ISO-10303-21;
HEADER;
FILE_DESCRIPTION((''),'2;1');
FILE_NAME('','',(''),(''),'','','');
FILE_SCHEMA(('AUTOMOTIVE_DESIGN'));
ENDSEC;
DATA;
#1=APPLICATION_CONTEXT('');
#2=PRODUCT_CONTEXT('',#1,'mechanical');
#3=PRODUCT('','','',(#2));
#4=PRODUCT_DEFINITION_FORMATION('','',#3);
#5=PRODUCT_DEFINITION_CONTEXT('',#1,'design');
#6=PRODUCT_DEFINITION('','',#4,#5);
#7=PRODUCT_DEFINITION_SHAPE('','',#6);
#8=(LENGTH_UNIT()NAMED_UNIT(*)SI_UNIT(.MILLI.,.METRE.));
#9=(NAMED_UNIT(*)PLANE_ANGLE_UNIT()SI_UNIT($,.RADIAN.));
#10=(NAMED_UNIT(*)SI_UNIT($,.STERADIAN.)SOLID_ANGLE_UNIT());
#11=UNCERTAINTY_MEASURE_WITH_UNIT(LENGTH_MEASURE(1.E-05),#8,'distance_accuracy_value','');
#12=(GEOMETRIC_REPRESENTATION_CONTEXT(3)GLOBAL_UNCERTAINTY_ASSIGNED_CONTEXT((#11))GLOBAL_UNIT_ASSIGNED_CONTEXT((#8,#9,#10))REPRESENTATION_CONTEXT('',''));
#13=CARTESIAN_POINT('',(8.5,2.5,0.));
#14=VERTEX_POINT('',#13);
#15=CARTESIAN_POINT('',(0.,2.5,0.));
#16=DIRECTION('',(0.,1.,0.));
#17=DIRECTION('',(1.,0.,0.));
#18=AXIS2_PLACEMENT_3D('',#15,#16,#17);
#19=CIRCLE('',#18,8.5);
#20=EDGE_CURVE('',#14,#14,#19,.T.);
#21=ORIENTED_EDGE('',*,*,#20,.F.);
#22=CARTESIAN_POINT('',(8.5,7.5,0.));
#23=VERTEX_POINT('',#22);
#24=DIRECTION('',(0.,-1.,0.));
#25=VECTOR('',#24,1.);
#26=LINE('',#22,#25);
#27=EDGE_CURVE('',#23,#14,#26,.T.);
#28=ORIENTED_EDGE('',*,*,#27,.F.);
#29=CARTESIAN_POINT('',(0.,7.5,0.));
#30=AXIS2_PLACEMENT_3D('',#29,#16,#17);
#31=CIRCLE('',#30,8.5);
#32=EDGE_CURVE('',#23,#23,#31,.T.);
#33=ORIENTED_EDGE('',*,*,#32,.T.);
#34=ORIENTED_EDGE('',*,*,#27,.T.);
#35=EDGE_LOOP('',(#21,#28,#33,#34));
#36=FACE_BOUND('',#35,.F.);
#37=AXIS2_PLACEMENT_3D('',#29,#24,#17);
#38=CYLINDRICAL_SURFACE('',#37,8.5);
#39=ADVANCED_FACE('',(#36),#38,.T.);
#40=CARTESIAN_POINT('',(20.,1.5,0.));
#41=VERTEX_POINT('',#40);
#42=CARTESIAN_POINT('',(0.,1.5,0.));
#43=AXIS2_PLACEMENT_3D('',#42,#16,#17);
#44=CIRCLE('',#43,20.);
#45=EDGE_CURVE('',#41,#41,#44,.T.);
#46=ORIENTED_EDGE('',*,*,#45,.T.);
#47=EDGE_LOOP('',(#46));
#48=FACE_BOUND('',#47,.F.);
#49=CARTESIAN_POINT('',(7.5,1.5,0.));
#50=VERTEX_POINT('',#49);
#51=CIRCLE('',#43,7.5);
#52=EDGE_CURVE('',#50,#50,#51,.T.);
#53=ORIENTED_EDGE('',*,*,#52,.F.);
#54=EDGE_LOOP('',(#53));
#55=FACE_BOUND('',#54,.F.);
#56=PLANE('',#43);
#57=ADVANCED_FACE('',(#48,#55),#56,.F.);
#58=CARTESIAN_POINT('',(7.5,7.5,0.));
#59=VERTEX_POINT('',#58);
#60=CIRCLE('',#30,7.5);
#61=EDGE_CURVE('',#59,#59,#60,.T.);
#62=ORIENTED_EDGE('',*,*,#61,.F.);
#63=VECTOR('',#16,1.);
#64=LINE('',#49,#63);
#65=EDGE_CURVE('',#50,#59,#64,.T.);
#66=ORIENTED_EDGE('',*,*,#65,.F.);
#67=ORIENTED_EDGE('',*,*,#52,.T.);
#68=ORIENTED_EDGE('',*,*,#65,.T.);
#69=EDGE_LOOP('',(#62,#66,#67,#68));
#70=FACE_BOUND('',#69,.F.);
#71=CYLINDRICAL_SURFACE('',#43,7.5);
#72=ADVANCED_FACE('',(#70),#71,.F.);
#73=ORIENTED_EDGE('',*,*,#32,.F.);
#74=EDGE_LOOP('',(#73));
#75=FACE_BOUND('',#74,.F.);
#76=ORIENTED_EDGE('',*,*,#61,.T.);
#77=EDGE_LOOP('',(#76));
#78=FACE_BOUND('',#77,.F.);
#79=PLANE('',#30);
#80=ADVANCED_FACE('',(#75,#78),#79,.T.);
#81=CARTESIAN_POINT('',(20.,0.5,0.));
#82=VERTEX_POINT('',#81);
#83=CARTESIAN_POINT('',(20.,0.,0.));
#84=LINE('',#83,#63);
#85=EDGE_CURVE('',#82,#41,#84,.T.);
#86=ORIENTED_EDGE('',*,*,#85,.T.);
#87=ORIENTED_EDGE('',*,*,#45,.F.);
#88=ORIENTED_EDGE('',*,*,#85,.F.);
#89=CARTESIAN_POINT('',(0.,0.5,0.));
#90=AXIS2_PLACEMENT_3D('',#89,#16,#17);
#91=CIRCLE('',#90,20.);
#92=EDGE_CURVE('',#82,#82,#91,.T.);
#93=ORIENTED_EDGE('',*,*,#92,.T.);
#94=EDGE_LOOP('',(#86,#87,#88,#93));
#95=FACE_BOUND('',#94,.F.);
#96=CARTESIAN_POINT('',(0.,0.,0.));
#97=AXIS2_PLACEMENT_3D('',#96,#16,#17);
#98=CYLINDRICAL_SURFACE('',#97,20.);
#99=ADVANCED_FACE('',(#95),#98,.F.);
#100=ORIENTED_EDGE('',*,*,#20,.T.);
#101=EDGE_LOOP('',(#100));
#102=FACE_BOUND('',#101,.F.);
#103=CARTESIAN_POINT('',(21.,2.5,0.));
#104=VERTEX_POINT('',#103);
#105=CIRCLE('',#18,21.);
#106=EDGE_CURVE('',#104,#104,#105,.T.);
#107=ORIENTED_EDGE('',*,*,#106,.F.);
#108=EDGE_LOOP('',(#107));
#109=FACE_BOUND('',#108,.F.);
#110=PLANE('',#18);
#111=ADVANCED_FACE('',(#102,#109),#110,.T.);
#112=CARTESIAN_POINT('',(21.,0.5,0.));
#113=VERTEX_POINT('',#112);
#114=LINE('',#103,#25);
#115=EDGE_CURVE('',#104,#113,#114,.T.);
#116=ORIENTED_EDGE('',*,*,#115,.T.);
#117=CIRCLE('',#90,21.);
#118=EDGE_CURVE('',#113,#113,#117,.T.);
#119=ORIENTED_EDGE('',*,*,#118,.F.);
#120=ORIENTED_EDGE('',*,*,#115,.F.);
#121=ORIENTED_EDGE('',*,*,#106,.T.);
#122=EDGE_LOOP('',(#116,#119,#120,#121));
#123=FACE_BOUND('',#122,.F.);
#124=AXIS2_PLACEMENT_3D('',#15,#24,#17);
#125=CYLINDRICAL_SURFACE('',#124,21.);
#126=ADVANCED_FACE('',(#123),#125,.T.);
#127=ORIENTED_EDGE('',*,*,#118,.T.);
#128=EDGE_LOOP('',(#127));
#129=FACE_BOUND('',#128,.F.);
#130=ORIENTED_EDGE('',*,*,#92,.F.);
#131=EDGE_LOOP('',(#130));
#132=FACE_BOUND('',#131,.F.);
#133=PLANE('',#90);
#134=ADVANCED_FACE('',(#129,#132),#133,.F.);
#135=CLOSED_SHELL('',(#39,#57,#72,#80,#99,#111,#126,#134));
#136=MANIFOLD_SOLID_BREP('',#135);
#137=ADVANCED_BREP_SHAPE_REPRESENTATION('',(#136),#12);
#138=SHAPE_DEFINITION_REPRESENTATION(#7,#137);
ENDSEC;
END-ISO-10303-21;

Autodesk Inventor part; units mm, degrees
ref_plane "YZ Plane" through (0, 0, 0) normal (1, 0, 0) x (0, 1, 0)
ref_plane "XZ Plane" through (0, 0, 0) normal (0, 1, 0) x (-1, 0, 0)
ref_plane "XY Plane" through (0, 0, 0) normal (0, 0, 1) x (1, 0, 0)
sketch "Sketch1" plane through (0, 0, 0) normal (0, 0, 1) x (1, 0, 0)
  line L0 (0, 0) -> (1.5, 0) construction
  line L1 (1.5, 0) -> (1.5, 1.5) construction
  line L2 (1.5, 1.5) -> (0, 1.5) construction
  line L3 (0, 0) -> (20, 0) construction
  line L4 (20, 0) -> (20, 1.5)
  line L5 (0, 0) -> (14.5, 0) construction
  line L6 (20, 1.5) -> (7.5, 1.5)
  line L7 (0, 1.5) -> (8.5, 1.5) construction
  line L8 (0, -1.5) -> (0, 9) construction
  line L9 (7.5, 1.5) -> (7.5, 7.5)
  line L10 (7.5, 7.5) -> (8.5, 7.5)
  line L11 (8.5, 7.5) -> (8.5, 2.5)
  line L12 (8.5, 2.5) -> (21, 2.5)
  line L13 (21, 2.5) -> (21, 0)
  line L14 (21, 0) -> (20, 0)
  line L15 (20, 0) -> (21, 0)
  line L16 (21, 0) -> (21, 0.5)
  line L17 (21, 0.5) -> (20, 0.5)
  line L18 (20, 0.5) -> (20, 0)
  dimension "d0" = 1.5
  dimension "d1" = 1.5
  dimension "d2" = 20
  dimension "d3" = 1.5
  dimension "d4" = 14.5
  dimension "d6" = 8.5
  dimension "d7" = 1
  dimension "d8" = 6
  dimension "d9" = 1
  dimension "d10" = 1
  dimension "d11" = 1
  dimension "d13" = 0.5
revolve "Revolution2" add sketch "Sketch1" angle 360 about axis through (0, -10, 0) along (0, 1, 0) contours L4 L6 L9 L10 L11 L12 L13 L17
properties part number "Seal_M"
